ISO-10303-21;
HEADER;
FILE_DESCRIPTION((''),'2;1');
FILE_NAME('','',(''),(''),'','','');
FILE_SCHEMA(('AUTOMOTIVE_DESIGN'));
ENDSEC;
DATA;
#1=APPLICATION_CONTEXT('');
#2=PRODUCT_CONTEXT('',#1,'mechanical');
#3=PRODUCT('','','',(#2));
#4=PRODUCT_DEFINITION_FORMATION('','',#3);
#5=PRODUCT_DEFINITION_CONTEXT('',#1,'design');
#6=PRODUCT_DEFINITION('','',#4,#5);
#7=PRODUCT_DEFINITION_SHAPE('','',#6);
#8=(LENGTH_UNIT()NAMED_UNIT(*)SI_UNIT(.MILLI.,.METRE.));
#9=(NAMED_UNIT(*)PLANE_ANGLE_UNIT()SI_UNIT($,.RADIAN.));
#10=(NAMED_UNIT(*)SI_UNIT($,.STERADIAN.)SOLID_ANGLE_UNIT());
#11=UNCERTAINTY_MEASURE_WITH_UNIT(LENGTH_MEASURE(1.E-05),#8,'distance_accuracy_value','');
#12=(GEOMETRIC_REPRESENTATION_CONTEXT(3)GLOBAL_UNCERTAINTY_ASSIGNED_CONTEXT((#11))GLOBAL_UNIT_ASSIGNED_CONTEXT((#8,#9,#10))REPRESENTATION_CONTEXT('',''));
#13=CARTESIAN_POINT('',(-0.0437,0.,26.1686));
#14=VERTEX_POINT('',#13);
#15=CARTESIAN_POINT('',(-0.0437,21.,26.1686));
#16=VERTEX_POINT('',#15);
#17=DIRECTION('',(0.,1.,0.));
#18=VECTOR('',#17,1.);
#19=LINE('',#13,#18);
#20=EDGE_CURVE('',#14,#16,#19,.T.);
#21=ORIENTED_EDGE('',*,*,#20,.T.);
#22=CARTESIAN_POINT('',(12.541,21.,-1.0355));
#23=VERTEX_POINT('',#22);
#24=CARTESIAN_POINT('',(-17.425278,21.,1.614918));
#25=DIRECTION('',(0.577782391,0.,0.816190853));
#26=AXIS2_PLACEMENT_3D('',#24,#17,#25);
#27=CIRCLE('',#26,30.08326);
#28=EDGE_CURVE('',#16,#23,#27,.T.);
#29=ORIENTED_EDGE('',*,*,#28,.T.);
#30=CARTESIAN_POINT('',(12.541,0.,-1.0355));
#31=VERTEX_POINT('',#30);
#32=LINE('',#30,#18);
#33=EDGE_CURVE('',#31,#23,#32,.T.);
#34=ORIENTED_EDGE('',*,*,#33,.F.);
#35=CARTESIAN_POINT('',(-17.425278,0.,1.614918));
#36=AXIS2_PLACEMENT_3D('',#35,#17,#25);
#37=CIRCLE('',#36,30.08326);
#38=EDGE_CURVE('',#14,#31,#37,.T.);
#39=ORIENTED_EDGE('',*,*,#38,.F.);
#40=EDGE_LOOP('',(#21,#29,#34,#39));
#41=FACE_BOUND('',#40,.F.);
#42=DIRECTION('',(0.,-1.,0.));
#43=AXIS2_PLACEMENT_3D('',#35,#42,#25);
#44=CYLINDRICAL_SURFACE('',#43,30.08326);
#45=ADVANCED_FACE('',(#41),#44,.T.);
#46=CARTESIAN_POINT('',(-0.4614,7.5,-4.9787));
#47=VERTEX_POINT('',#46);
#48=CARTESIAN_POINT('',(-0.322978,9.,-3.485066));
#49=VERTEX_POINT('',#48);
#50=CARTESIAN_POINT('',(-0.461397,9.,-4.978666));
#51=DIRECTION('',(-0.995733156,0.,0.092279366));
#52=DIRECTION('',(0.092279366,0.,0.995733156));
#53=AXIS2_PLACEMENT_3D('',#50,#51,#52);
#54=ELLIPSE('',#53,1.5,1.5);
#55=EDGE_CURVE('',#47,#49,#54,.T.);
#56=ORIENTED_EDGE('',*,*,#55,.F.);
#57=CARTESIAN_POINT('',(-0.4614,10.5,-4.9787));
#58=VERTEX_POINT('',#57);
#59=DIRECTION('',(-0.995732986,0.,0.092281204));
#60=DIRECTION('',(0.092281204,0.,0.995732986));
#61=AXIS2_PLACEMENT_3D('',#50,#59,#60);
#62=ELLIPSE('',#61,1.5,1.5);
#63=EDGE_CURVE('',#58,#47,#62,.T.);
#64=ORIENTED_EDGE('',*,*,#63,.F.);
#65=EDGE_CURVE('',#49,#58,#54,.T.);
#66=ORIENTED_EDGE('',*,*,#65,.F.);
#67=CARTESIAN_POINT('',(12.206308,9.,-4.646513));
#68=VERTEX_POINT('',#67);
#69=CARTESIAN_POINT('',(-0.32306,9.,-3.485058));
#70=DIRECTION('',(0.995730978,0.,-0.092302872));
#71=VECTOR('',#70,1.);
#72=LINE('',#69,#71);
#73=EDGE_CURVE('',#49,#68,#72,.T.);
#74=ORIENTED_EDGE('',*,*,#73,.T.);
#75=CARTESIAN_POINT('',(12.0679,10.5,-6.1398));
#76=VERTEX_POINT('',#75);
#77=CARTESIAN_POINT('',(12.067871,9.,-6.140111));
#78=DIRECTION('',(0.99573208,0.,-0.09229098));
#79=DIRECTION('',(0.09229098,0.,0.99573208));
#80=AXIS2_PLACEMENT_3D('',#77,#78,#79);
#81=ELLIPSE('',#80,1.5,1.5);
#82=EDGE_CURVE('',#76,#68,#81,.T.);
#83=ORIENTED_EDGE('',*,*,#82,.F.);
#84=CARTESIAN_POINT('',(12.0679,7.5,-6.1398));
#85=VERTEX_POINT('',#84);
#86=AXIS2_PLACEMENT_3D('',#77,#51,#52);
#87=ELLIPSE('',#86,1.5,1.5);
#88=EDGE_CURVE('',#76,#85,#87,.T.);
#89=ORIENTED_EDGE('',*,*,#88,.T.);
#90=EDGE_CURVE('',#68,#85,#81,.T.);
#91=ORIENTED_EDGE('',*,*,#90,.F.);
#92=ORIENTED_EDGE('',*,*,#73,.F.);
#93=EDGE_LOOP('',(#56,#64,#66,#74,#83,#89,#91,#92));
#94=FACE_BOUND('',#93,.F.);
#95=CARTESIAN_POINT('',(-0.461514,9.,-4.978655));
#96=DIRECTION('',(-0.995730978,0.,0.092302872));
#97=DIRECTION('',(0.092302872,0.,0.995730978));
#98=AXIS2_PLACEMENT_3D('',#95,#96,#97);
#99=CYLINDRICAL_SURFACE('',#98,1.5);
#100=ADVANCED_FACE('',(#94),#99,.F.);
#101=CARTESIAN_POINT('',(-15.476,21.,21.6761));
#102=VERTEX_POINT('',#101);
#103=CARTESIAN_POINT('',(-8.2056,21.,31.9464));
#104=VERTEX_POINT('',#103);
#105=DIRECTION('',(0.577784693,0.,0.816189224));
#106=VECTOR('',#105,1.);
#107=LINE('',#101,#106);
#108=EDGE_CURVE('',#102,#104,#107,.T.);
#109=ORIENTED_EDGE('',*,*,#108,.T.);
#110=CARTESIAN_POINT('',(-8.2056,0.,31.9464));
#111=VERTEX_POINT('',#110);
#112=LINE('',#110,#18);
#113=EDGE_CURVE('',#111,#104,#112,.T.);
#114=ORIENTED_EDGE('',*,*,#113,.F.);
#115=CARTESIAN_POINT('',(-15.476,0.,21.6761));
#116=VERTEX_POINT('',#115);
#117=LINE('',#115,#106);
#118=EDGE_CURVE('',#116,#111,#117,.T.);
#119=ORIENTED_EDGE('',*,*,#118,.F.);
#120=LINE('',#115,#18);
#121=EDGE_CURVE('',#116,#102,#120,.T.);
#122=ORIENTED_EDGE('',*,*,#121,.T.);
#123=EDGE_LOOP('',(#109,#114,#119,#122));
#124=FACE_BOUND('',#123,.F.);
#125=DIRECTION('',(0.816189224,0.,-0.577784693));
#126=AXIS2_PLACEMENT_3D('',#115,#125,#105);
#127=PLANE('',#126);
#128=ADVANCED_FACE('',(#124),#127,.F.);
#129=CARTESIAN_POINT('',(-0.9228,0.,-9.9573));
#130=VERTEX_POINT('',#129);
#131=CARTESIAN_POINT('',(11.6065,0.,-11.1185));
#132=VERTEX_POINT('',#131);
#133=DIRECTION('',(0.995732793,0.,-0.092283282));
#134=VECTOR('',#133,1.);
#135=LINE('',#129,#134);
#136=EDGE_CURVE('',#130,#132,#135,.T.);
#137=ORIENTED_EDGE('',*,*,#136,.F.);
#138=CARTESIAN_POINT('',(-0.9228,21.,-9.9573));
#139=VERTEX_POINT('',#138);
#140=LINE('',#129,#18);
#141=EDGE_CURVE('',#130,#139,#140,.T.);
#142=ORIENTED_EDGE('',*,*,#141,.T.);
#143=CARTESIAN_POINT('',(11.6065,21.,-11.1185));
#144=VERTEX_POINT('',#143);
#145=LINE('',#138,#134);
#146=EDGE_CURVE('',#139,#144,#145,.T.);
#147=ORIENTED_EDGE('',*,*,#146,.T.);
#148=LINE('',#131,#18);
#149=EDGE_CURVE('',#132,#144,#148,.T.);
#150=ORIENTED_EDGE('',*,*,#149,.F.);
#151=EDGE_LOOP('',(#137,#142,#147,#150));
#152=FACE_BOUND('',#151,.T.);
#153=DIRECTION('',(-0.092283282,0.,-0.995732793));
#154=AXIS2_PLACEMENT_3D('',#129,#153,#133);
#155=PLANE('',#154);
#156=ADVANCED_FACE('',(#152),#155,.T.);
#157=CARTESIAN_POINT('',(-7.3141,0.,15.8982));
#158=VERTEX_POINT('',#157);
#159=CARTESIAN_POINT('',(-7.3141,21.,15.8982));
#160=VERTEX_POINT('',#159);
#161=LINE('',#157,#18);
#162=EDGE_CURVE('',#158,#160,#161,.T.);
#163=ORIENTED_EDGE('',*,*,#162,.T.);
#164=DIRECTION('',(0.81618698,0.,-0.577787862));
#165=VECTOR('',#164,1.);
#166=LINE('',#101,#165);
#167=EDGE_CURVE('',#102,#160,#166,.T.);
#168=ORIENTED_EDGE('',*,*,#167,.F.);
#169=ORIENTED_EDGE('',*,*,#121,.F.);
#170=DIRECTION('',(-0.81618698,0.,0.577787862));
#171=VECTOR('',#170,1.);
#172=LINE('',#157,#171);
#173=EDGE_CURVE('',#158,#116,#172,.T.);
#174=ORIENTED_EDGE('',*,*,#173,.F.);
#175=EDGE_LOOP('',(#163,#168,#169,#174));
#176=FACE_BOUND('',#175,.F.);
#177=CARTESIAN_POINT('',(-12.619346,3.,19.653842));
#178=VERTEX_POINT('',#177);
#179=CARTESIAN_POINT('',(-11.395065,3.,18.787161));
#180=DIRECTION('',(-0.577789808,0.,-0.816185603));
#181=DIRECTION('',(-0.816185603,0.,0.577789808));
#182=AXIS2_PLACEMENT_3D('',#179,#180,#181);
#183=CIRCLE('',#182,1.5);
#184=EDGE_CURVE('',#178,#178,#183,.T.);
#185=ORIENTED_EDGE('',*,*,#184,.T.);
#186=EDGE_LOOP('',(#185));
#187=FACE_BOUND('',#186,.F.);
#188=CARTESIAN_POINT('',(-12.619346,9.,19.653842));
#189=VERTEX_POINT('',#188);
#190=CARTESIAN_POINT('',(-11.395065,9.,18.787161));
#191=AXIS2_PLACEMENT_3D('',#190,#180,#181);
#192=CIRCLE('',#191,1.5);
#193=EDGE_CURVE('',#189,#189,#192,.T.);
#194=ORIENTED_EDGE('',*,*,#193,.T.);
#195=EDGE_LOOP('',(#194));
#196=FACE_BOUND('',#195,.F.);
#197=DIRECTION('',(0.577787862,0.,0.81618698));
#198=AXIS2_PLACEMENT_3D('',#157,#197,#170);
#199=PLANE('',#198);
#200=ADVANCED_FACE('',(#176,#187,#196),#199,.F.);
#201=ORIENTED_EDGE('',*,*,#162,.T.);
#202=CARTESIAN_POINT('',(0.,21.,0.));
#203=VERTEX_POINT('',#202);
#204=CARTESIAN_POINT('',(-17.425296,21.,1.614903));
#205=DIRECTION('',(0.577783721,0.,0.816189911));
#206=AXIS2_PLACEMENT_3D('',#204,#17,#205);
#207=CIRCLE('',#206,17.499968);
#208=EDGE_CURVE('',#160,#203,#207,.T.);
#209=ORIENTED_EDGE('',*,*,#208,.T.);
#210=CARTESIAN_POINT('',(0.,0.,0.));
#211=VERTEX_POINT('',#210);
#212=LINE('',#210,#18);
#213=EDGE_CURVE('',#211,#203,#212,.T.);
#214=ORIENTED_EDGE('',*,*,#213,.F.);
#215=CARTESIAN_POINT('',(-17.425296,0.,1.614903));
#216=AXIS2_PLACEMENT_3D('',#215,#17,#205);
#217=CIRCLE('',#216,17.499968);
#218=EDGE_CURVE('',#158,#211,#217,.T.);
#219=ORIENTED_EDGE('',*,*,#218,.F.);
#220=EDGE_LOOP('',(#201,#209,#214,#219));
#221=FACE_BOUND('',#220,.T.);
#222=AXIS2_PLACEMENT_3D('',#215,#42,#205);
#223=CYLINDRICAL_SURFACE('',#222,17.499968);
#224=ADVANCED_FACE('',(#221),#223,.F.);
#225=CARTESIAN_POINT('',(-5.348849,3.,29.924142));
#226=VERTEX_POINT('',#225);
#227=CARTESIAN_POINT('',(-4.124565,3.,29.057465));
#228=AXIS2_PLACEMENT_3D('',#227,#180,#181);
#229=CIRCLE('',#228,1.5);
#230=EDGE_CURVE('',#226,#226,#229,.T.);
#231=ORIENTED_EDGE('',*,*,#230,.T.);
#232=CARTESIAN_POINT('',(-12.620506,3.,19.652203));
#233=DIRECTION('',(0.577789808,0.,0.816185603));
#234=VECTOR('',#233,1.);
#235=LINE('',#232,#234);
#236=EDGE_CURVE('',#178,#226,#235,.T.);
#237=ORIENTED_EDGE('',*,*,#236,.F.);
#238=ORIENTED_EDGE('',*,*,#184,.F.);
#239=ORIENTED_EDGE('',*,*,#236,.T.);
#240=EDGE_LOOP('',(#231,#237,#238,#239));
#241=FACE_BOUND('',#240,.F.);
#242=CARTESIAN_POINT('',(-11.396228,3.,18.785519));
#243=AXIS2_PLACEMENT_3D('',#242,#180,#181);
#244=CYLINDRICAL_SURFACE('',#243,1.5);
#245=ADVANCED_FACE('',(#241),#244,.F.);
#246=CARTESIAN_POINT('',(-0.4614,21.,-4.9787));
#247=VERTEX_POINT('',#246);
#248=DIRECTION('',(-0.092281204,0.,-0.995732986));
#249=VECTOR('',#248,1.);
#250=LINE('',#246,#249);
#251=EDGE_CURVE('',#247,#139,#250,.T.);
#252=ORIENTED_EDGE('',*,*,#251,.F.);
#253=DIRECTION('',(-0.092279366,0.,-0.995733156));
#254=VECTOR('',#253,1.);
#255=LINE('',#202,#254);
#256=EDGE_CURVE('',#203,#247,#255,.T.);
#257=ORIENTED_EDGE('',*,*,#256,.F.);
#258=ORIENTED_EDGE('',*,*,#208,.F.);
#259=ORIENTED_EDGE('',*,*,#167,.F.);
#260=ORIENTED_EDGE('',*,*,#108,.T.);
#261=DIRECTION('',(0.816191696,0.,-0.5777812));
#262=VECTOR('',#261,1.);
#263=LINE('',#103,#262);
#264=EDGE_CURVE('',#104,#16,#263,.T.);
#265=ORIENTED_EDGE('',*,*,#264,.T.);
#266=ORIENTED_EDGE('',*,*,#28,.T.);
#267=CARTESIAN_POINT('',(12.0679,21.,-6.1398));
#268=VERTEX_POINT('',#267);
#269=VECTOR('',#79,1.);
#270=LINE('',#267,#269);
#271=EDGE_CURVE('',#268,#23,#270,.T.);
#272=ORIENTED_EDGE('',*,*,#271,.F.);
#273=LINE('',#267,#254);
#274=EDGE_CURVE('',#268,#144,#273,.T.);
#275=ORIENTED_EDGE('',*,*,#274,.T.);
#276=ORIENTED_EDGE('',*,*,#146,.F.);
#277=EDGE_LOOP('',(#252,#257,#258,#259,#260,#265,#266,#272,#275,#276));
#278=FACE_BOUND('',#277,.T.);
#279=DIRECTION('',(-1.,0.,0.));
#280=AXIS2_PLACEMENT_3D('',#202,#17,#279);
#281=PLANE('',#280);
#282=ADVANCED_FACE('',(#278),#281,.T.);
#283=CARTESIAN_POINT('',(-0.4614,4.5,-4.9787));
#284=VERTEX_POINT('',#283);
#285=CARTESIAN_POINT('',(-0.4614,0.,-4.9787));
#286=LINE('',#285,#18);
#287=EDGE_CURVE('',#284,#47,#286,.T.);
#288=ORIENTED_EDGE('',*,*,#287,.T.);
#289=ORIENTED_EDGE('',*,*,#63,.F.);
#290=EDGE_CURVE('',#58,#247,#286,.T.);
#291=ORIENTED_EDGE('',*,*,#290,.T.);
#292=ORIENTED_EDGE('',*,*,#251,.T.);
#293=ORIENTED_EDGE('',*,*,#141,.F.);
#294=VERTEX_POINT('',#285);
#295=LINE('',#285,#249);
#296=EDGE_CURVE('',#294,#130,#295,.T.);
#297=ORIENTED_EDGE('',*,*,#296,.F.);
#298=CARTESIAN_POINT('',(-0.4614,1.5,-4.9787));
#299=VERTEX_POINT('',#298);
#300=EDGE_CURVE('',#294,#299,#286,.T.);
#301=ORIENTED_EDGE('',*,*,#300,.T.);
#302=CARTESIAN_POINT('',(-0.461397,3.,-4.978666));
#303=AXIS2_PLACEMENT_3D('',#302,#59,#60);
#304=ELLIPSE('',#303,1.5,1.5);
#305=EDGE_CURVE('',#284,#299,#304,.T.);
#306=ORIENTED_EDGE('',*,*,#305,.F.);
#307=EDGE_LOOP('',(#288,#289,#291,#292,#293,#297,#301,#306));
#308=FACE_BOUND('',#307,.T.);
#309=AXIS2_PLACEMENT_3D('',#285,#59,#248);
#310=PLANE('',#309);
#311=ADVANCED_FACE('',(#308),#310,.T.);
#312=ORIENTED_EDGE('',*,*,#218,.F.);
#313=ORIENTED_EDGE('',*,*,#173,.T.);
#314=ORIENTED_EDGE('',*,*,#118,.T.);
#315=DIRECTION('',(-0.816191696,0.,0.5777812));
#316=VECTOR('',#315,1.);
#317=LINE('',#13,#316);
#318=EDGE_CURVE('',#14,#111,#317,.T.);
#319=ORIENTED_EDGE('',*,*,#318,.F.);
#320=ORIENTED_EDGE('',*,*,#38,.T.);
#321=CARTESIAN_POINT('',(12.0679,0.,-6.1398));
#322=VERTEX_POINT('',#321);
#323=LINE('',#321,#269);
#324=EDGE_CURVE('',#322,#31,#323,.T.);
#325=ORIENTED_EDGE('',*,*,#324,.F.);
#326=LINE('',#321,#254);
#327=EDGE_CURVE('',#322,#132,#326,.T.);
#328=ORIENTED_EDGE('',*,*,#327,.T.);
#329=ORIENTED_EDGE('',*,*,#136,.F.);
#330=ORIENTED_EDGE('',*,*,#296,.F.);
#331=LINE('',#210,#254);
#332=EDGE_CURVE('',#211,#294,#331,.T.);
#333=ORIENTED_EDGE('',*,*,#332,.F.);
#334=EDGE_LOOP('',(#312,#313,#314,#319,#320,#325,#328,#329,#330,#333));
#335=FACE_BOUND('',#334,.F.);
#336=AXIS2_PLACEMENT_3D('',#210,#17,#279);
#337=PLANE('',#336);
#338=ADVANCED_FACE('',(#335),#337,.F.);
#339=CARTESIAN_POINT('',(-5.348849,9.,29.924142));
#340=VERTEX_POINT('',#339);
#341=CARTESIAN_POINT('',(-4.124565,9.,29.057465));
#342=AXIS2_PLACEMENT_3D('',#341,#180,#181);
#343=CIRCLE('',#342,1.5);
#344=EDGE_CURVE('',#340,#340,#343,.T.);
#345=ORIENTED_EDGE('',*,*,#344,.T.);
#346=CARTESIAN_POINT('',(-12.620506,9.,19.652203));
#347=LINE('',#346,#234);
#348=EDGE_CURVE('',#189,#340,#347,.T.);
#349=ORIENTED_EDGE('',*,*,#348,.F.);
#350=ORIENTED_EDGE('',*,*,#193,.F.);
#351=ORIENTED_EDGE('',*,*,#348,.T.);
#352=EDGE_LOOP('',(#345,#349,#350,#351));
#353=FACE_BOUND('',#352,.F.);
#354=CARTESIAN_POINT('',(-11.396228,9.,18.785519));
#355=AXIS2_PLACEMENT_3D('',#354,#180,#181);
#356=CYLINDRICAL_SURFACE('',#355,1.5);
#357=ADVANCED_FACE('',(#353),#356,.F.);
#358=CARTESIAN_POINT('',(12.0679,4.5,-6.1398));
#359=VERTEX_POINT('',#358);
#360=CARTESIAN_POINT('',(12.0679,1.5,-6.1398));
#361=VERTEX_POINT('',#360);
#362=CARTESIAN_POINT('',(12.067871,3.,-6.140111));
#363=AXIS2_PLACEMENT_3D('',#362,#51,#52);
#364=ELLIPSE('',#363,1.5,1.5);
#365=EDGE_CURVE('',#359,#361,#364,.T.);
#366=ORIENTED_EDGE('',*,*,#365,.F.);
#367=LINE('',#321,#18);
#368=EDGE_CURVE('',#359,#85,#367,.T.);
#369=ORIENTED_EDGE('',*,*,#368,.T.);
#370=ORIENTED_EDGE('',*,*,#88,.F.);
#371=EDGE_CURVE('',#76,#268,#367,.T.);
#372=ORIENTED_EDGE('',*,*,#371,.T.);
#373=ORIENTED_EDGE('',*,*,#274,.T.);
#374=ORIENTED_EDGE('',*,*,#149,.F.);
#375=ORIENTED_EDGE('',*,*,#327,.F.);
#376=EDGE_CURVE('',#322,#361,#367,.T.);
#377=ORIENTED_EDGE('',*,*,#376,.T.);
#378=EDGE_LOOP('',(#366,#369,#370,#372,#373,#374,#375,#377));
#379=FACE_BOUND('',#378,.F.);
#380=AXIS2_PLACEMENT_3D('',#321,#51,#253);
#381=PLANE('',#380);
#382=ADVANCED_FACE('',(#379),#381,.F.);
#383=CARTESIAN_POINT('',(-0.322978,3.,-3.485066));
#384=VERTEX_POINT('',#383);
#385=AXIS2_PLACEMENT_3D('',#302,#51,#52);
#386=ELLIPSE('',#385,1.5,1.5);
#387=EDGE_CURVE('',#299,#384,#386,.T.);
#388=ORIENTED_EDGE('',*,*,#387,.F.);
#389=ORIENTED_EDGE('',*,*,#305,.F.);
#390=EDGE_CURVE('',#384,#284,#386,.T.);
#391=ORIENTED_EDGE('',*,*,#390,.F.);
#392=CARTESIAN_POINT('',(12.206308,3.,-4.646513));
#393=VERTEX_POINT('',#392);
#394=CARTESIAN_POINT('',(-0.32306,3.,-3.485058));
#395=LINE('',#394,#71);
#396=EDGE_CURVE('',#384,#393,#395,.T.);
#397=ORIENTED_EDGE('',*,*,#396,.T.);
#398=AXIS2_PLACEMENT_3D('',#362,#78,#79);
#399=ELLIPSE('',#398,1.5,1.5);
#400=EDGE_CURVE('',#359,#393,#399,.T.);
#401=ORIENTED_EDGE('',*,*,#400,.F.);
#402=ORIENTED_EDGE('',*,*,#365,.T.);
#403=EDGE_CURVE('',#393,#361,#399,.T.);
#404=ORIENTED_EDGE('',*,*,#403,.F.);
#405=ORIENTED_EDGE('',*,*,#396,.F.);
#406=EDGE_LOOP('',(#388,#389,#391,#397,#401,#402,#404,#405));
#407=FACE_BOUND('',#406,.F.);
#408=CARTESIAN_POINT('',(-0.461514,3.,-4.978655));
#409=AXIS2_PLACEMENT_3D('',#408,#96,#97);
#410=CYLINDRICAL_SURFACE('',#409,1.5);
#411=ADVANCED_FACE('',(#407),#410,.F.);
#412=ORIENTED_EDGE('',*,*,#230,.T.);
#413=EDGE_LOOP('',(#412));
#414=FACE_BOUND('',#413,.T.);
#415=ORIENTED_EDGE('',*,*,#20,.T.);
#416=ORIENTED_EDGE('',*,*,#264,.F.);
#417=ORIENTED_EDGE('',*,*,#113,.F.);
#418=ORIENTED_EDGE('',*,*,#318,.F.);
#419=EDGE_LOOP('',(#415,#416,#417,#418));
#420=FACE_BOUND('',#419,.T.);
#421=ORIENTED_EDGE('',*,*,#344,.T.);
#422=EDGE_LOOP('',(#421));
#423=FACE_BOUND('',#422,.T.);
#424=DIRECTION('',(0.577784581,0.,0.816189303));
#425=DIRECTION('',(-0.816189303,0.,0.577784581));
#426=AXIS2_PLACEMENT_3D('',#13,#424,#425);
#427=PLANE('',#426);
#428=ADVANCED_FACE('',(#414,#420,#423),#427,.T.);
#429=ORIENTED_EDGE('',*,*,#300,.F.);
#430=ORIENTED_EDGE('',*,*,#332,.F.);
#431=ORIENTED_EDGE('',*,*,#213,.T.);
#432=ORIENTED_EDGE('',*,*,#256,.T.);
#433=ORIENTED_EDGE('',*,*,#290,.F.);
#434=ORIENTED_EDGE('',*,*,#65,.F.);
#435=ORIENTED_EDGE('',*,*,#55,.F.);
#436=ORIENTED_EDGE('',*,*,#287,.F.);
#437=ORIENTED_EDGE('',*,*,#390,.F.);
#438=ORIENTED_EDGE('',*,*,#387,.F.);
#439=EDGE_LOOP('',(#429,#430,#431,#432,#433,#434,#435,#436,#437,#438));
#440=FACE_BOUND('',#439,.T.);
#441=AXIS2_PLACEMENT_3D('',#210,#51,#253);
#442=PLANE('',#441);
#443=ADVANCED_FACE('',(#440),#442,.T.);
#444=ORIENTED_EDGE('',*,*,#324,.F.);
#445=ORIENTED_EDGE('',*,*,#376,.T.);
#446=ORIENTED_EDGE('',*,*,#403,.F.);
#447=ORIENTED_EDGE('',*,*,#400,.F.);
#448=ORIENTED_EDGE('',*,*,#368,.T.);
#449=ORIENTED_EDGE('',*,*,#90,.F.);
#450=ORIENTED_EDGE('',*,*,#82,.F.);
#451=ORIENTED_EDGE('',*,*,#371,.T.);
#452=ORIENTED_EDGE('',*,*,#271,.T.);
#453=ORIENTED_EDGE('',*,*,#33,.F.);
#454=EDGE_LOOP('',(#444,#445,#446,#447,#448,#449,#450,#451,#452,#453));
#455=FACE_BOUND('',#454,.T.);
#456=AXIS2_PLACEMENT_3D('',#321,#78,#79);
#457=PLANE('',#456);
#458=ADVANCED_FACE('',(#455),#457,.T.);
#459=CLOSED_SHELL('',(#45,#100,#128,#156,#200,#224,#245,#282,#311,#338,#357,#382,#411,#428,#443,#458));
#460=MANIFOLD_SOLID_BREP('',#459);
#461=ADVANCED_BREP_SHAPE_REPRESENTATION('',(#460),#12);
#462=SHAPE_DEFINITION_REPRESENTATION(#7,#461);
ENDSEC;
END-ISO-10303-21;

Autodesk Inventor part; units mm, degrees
ref_plane "YZ Plane" through (0, 0, 0) normal (1, 0, 0) x (0, 1, 0)
ref_plane "XZ Plane" through (0, 0, 0) normal (0, 1, 0) x (-1, 0, 0)
ref_plane "XY Plane" through (0, 0, 0) normal (0, 0, 1) x (1, 0, 0)
sketch "Sketch1" plane through (0, 0, 0) normal (0, 1, 0) x (-1, 0, 0)
  arc A0 (7.3141, 15.8982) -> (0, 0) centre (17.4253, 1.6149) ccw
  arc A1 (0.0437, 26.1686) -> (-12.541, -1.0355) centre (17.4253, 1.6149) ccw
  line L0 (7.3141, 15.8982) -> (0.0437, 26.1686)
  line L1 (7.3141, 15.8982) -> (15.476, 21.6761)
  line L2 (0.0437, 26.1686) -> (9.8323, 33.098)
  line L3 (15.476, 21.6761) -> (8.2056, 31.9464)
  line L4 (11.395, 18.7872) -> (4.1246, 29.0575)
  line L5 (0, 0) -> (0.4614, -4.9787)
  line L6 (0.4614, -4.9787) -> (-12.0679, -6.1398)
  line L7 (-12.0679, -6.1398) -> (-12.541, -1.0355)
  line L8 (0.4614, -4.9787) -> (0.9228, -9.9573)
  line L9 (0.9228, -9.9573) -> (-11.6065, -11.1185)
  line L10 (-12.0679, -6.1398) -> (-11.6065, -11.1185)
  dimension "d3" = 10
  dimension "d5" = 12.5833
  dimension "d6" = 12.5833
  dimension "d8" = 17.5
  dimension "d9" = 5
  dimension "d11" = 5
  dimension "d12" = 12.583
  dimension "d13" = 60
  dimension "d14" = 90
  dimension "d16" = 90
  dimension "d17" = 5
extrude "Extrusion1" add sketch "Sketch1" along normal blind 21
sketch "Sketch2" plane through (0, 0, 0) normal (-0.9957, 0, 0.0923) x (0.0923, 0, 0.9957)
  circle A0 centre (-5, 9) radius 1.5
  line L0 (-10, 0) -> (0, 0) projected
  circle A1 centre (-5, 3) radius 1.5
  line L1 (-10, 0) -> (-10, 21) projected
  dimension "d20" = 3
  dimension "d22" = 3
  dimension "d23" = 6
  dimension "d24" = 3
  dimension "d25" = 5
  dimension "d26" = 5
sketch "Sketch3" plane through (-15.476, 0, 21.6761) normal (-0.5778, 0, -0.8162) x (-0.8162, 0, 0.5778)
  circle A0 centre (-5, 3) radius 1.5
  circle A1 centre (-5, 9) radius 1.5
  line L0 (-10, 0) -> (0, 0) projected
  line L1 (0, 0) -> (0, 21) projected
  point P0 (-25.1554, 0)
  dimension "d27" = 3
  dimension "d28" = 3
  dimension "d29" = 6
  dimension "d30" = 0
  dimension "d31" = 3
  dimension "d32" = 5
extrude "Extrusion2" cut sketch "Sketch3" against normal blind 300
extrude "Extrusion3" cut sketch "Sketch2" against normal through all
properties part number "Soporte"
